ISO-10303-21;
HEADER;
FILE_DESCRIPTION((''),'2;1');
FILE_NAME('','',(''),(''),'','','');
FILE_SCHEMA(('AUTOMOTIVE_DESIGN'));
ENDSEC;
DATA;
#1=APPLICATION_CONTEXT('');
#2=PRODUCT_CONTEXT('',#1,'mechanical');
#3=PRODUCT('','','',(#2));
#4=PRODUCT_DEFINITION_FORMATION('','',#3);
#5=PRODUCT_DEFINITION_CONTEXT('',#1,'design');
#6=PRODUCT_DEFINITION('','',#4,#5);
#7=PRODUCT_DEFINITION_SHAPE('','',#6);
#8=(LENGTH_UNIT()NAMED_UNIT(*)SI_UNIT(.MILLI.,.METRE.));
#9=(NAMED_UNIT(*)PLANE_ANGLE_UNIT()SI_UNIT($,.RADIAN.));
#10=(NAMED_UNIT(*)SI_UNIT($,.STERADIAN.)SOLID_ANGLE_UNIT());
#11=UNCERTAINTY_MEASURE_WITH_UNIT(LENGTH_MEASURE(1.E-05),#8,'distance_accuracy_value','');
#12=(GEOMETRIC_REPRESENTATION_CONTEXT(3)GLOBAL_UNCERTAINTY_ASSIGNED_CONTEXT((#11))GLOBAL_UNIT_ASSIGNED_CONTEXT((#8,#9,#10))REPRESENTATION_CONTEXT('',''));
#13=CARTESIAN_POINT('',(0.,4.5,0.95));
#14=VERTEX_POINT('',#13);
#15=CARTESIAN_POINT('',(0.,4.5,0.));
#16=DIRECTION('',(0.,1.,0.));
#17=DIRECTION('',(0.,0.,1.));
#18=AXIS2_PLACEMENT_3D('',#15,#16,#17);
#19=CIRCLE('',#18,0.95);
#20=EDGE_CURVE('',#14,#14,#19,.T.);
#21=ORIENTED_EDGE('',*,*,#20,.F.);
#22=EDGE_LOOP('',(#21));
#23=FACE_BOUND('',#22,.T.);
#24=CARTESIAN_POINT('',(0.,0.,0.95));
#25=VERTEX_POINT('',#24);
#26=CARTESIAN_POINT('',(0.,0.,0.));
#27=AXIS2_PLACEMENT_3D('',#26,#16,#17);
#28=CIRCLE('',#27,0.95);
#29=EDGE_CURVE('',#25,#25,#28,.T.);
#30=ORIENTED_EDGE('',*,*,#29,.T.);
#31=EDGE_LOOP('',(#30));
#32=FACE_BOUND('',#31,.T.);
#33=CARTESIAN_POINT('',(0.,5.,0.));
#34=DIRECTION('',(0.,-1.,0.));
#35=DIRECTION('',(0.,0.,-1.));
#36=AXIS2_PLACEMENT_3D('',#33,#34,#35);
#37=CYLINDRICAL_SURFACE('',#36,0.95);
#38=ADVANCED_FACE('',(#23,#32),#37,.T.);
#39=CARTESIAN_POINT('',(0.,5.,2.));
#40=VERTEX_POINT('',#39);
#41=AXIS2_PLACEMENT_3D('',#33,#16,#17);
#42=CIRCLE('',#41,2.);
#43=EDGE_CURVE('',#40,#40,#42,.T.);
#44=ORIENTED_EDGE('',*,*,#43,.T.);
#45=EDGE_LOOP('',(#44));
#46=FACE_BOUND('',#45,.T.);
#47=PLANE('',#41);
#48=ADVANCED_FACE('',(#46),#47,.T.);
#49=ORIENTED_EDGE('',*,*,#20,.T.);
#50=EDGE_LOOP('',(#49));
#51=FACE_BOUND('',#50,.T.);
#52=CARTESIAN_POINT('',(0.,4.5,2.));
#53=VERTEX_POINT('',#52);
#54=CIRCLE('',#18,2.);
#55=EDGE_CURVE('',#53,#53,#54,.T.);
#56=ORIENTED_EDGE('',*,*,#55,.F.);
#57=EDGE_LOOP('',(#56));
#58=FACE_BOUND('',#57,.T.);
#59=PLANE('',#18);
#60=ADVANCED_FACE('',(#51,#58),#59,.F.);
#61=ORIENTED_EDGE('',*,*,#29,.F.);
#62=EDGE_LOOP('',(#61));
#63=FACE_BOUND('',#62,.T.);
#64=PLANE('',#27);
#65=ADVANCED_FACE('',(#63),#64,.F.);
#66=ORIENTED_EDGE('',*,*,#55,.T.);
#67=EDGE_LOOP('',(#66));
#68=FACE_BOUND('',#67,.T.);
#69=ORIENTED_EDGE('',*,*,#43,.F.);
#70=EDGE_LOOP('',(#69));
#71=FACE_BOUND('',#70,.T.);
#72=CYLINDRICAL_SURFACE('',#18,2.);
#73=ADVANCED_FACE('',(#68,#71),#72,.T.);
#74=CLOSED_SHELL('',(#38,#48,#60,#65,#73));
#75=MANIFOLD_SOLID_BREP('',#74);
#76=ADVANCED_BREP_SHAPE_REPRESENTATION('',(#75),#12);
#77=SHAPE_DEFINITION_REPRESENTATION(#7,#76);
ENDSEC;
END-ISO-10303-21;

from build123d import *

# Parameters (mm, degrees)
SKETCH_1_R      = 0.95
EXTRUDE_1_DEPTH = 5
SKETCH_3_R      = 2
EXTRUDE_2_DEPTH = 0.5


with BuildPart() as part:
    # Эскиз1 → Бобышка-Вытянуть1 (new body)
    with BuildSketch(Plane(origin=(0, 0, 0), x_dir=(1, 0, 0), z_dir=(0, 1, 0))):
        with Locations(Location((0, 0, 0), (0, 0, 270))):
            Circle(SKETCH_1_R)
    extrude(amount=EXTRUDE_1_DEPTH)

    # Эскиз3 → Бобышка-Вытянуть2 (add)
    with BuildSketch(Plane(origin=(0, 5, 0), x_dir=(1, 0, 0), z_dir=(0, 1, 0))):
        with Locations(Location((0, 0, 0), (0, 0, 270))):
            Circle(SKETCH_3_R)
    extrude(amount=-EXTRUDE_2_DEPTH)


solid = part.part
